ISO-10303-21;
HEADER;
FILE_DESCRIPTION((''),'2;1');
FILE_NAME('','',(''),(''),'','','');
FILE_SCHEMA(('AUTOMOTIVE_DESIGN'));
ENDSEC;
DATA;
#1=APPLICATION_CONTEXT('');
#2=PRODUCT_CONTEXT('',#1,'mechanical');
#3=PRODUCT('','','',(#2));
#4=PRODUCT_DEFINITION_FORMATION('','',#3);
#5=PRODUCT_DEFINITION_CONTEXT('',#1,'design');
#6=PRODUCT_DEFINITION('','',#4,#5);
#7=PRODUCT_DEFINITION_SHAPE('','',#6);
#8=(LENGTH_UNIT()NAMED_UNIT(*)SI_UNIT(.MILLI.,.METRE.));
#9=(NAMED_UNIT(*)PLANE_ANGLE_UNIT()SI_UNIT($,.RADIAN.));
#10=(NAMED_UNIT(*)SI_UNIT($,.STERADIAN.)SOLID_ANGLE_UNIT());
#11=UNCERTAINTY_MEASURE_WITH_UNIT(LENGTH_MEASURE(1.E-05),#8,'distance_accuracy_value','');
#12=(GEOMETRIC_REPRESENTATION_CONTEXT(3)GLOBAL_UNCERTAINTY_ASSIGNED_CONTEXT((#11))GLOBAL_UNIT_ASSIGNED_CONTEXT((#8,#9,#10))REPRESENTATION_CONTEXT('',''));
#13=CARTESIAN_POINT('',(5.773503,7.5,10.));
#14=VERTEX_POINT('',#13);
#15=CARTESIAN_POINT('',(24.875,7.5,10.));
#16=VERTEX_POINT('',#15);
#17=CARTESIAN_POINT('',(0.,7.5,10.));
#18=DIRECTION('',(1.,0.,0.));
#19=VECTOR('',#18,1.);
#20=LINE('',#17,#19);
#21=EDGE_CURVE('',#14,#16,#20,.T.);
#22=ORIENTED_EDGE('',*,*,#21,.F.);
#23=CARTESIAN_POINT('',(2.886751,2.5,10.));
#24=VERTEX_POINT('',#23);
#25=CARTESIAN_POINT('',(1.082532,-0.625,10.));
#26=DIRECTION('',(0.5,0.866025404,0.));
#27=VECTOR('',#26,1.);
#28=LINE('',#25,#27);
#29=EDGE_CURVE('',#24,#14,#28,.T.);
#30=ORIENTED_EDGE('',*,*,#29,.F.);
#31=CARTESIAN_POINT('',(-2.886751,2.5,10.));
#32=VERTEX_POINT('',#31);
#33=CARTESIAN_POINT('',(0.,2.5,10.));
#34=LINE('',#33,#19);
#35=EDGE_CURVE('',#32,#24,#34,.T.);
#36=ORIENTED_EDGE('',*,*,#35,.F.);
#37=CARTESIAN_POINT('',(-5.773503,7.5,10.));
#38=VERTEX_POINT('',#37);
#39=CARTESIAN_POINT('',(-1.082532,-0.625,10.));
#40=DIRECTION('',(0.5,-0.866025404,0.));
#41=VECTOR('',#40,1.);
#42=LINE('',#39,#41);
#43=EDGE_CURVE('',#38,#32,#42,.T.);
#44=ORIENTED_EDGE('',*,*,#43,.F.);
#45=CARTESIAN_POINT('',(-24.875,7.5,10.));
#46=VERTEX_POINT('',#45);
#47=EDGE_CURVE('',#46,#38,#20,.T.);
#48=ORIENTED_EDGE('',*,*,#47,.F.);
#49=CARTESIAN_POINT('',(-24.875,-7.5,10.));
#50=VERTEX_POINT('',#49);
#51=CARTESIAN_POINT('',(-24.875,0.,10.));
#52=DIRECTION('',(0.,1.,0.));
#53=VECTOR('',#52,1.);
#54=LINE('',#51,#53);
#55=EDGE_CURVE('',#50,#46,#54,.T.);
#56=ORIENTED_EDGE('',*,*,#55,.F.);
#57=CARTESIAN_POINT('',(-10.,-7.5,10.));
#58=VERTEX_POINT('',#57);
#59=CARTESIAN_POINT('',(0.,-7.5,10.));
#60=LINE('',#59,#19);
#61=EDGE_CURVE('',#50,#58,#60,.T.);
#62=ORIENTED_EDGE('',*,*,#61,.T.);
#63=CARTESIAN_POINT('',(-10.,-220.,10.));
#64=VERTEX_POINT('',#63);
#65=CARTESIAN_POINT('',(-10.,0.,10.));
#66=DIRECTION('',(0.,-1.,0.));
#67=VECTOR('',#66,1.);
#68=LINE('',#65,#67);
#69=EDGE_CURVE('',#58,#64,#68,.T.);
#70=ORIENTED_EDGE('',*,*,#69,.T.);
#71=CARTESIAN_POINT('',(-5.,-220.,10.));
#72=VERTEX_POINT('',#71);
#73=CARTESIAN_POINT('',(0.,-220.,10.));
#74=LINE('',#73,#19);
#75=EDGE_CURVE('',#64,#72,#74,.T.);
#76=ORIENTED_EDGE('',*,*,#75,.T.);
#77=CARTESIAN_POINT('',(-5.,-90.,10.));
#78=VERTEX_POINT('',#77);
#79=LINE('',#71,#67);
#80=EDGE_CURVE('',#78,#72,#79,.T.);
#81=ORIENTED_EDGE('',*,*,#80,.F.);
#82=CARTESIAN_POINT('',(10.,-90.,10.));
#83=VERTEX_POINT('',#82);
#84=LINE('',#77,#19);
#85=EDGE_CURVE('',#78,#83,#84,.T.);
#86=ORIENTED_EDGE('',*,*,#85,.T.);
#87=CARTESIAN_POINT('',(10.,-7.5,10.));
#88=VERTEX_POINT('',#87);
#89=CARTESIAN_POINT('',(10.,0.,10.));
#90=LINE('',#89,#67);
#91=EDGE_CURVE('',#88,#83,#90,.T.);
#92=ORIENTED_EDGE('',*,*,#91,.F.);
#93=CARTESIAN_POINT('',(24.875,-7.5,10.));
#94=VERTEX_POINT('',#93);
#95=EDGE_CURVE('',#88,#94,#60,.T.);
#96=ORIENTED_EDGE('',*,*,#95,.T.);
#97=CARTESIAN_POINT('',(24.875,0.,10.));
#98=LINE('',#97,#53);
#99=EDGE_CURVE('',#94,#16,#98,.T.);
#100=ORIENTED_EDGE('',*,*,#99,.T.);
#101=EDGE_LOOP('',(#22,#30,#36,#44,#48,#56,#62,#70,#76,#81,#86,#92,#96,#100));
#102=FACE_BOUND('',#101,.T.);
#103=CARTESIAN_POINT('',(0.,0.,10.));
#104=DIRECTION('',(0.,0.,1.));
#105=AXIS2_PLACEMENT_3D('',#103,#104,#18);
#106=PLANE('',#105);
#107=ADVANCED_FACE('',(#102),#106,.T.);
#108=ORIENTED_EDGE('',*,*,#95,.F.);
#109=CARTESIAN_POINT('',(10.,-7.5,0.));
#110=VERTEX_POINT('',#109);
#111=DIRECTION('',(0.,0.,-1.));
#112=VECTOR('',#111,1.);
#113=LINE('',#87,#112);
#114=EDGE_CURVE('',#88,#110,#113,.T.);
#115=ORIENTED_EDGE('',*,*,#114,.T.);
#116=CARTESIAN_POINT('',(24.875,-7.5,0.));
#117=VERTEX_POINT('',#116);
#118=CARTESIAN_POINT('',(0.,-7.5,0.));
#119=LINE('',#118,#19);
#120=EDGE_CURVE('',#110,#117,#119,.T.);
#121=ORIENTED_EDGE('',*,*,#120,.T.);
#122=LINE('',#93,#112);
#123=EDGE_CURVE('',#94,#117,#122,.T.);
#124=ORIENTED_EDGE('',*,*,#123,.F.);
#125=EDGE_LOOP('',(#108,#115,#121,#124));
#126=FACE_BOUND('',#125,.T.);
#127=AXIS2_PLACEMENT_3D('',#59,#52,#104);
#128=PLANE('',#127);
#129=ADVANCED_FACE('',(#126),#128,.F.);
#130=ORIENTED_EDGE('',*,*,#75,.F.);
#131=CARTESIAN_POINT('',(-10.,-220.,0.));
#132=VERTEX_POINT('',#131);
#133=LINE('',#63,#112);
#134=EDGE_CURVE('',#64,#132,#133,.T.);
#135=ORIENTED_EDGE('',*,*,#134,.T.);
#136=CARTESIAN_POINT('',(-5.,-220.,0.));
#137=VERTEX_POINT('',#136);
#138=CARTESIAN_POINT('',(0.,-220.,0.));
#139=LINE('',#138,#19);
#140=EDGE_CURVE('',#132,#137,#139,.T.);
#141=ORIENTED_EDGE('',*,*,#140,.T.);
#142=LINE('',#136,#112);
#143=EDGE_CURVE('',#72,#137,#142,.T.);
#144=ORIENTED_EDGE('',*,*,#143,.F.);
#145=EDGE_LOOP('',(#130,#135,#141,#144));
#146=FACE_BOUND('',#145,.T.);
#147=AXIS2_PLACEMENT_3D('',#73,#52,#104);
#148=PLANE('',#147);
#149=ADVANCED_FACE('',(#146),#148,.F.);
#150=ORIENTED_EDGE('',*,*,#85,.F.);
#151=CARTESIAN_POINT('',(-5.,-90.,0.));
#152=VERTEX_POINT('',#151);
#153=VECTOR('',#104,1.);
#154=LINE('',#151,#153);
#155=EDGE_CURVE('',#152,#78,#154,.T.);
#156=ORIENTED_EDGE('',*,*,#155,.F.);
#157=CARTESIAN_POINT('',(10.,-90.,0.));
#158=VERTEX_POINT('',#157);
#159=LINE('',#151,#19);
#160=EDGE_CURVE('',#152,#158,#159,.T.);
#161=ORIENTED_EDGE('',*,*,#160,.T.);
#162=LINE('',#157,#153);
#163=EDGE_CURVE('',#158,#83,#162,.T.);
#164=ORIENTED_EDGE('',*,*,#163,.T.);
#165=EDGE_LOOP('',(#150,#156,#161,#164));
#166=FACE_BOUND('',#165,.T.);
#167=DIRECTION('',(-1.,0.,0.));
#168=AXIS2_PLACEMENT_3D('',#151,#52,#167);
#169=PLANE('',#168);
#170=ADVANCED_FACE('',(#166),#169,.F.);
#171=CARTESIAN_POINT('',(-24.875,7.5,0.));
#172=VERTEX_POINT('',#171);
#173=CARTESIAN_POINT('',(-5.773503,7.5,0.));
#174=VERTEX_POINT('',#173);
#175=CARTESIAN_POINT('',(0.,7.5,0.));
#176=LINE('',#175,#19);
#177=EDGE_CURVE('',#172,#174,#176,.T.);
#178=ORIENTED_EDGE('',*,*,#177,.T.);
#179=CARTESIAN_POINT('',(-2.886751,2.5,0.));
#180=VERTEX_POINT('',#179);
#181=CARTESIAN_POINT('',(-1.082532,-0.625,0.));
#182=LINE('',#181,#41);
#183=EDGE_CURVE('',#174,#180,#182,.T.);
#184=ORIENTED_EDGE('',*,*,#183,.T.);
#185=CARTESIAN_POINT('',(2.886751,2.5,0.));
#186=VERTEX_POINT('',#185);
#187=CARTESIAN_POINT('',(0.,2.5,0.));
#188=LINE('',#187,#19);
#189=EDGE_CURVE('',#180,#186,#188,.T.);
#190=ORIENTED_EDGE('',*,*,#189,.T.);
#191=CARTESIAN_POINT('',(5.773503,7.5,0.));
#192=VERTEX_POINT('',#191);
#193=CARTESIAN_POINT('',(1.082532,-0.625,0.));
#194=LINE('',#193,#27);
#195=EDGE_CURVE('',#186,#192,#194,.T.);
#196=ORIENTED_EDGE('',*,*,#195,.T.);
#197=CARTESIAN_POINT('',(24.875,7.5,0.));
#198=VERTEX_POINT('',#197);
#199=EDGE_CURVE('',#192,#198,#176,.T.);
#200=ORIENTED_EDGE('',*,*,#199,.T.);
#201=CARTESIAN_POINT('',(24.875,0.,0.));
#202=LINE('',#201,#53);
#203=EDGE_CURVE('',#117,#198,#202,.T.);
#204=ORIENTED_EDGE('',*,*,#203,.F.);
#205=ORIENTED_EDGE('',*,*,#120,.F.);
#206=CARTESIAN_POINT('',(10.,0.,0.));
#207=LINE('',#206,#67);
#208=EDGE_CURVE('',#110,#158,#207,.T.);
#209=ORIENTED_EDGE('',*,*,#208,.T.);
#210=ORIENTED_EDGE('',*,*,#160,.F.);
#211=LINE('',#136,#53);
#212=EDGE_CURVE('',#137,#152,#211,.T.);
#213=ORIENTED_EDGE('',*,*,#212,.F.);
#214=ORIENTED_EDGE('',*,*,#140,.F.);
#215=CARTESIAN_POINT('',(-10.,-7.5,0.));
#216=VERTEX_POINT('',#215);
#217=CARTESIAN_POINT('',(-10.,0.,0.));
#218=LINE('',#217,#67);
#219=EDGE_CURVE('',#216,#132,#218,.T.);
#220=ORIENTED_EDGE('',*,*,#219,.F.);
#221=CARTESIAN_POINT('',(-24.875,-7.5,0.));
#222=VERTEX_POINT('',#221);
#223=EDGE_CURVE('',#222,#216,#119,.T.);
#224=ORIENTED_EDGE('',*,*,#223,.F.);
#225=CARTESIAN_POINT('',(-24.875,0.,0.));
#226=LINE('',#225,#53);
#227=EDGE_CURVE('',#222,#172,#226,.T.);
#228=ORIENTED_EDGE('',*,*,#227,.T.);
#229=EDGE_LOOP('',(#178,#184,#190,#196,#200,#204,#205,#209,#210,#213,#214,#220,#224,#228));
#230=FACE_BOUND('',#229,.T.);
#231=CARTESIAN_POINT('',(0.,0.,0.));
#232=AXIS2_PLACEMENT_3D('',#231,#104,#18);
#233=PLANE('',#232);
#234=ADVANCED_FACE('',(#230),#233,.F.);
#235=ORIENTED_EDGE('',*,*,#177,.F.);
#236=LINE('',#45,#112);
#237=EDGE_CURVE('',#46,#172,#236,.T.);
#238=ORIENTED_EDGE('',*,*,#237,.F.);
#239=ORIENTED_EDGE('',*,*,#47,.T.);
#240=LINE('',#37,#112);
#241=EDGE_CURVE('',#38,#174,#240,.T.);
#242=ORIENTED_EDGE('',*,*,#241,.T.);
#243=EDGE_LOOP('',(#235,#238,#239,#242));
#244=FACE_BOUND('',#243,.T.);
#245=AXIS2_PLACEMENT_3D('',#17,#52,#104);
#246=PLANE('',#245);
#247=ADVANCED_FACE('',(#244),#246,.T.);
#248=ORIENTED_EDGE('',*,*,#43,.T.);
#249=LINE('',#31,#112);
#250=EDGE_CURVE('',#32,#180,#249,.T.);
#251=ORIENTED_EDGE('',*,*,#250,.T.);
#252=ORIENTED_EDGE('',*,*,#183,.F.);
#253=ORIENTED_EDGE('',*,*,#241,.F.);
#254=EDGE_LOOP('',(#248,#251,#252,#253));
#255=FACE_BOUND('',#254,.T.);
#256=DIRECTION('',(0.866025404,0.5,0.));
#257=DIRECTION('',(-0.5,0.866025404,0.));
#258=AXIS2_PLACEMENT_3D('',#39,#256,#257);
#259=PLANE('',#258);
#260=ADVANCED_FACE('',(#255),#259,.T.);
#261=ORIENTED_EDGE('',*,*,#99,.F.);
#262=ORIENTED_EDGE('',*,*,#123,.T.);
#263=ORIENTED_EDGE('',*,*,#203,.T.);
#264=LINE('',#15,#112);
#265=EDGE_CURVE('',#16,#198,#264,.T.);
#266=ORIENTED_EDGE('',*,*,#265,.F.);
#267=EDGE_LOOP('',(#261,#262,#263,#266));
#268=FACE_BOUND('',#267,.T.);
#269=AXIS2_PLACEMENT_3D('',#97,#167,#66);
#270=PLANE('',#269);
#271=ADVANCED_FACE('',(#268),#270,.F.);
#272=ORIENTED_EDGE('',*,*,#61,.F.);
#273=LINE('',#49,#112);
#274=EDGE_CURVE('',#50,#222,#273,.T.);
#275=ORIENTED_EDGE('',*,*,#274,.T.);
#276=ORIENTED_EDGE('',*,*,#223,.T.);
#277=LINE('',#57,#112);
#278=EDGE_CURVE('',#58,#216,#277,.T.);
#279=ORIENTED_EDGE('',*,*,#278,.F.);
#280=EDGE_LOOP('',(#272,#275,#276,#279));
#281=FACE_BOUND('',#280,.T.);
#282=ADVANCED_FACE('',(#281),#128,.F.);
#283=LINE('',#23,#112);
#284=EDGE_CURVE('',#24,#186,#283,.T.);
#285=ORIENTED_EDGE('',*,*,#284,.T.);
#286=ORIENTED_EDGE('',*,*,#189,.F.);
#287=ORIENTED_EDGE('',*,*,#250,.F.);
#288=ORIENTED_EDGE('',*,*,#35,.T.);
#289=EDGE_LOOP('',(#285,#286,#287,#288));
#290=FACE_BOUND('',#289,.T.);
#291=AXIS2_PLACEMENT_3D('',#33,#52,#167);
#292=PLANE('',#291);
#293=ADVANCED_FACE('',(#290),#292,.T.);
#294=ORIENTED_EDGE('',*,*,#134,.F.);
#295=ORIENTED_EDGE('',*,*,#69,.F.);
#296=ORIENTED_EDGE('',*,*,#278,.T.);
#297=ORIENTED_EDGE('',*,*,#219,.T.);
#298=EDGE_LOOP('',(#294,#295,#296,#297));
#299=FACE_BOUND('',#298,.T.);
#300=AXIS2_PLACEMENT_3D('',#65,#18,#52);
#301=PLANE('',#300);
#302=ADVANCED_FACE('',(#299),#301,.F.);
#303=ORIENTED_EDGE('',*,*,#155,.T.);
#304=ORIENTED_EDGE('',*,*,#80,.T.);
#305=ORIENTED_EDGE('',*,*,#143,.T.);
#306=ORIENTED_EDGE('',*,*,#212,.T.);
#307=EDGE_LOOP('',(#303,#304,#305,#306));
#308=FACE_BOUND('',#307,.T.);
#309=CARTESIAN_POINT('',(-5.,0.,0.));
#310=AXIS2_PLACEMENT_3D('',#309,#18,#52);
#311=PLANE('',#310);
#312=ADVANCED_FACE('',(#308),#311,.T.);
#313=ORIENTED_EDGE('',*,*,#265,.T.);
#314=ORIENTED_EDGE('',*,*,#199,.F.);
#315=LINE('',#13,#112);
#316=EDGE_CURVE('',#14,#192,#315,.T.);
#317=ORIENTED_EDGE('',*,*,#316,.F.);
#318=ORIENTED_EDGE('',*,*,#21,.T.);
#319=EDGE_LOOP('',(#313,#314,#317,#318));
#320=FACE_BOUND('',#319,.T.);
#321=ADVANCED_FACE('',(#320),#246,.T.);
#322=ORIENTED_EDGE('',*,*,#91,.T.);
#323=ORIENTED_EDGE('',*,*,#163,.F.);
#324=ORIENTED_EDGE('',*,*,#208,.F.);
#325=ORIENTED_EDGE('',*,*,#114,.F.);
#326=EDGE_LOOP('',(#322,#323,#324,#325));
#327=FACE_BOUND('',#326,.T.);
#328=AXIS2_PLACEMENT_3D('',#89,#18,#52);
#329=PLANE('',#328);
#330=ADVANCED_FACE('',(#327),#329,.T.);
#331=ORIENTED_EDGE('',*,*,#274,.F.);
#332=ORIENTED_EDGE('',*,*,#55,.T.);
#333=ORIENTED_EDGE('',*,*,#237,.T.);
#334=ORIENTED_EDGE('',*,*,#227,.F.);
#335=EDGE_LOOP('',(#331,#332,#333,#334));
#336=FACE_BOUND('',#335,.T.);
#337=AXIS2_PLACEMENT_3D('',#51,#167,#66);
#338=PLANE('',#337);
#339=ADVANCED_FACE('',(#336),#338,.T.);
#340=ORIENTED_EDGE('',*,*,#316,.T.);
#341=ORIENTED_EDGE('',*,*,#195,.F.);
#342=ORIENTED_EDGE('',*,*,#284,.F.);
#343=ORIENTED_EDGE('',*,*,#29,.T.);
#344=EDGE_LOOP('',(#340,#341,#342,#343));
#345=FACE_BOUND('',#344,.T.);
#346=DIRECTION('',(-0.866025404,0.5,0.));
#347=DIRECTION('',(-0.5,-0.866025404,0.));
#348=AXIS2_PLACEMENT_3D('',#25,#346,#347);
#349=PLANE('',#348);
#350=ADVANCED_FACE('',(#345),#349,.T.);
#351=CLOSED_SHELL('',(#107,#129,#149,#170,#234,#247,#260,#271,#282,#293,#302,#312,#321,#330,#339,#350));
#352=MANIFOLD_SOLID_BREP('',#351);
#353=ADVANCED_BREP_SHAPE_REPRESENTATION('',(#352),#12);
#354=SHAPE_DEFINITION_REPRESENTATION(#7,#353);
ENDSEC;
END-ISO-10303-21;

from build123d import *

# Parameters (mm, degrees)
SKETCH1_W             = 20
SKETCH1_H             = 197.5
SKETCH1_H_2           = 15
SKETCH1_W_2           = 14.875
BOSS_EXTRUDE1_DEPTH   = 10
IZIM1_W               = 10
IZIM1_H               = 130
KES_EKSTR_ZYON1_DEPTH = 15


with BuildPart() as part:
    # Sketch1 → Boss-Extrude1 (new body)
    with BuildSketch(Plane.XY):
        with Locations((0, -121.25)):
            Rectangle(SKETCH1_W, SKETCH1_H)
        with Locations((0, -15)):
            Rectangle(SKETCH1_W, SKETCH1_H_2)
        Polygon((-10, 7.5), (-10, -7.5), (10, -7.5), (10, 7.5), (5.773502692, 7.5), (2.886751346, 2.5), (-2.886751346, 2.5), (-5.773502692, 7.5), align=None)
        with Locations((-17.4375, 0)):
            Rectangle(SKETCH1_W_2, SKETCH1_H_2)
        with Locations((17.4375, 0)):
            Rectangle(SKETCH1_W_2, SKETCH1_H_2)
    extrude(amount=BOSS_EXTRUDE1_DEPTH)

    # Çizim1 → Kes-Ekstrüzyon1 (cut)
    with BuildSketch(Plane(origin=(10, 0, 0), x_dir=(0, 0, -1), z_dir=(1, 0, 0))):
        with Locations((-5, -155)):
            Rectangle(IZIM1_W, IZIM1_H)
    extrude(amount=-KES_EKSTR_ZYON1_DEPTH, mode=Mode.SUBTRACT)


solid = part.part
